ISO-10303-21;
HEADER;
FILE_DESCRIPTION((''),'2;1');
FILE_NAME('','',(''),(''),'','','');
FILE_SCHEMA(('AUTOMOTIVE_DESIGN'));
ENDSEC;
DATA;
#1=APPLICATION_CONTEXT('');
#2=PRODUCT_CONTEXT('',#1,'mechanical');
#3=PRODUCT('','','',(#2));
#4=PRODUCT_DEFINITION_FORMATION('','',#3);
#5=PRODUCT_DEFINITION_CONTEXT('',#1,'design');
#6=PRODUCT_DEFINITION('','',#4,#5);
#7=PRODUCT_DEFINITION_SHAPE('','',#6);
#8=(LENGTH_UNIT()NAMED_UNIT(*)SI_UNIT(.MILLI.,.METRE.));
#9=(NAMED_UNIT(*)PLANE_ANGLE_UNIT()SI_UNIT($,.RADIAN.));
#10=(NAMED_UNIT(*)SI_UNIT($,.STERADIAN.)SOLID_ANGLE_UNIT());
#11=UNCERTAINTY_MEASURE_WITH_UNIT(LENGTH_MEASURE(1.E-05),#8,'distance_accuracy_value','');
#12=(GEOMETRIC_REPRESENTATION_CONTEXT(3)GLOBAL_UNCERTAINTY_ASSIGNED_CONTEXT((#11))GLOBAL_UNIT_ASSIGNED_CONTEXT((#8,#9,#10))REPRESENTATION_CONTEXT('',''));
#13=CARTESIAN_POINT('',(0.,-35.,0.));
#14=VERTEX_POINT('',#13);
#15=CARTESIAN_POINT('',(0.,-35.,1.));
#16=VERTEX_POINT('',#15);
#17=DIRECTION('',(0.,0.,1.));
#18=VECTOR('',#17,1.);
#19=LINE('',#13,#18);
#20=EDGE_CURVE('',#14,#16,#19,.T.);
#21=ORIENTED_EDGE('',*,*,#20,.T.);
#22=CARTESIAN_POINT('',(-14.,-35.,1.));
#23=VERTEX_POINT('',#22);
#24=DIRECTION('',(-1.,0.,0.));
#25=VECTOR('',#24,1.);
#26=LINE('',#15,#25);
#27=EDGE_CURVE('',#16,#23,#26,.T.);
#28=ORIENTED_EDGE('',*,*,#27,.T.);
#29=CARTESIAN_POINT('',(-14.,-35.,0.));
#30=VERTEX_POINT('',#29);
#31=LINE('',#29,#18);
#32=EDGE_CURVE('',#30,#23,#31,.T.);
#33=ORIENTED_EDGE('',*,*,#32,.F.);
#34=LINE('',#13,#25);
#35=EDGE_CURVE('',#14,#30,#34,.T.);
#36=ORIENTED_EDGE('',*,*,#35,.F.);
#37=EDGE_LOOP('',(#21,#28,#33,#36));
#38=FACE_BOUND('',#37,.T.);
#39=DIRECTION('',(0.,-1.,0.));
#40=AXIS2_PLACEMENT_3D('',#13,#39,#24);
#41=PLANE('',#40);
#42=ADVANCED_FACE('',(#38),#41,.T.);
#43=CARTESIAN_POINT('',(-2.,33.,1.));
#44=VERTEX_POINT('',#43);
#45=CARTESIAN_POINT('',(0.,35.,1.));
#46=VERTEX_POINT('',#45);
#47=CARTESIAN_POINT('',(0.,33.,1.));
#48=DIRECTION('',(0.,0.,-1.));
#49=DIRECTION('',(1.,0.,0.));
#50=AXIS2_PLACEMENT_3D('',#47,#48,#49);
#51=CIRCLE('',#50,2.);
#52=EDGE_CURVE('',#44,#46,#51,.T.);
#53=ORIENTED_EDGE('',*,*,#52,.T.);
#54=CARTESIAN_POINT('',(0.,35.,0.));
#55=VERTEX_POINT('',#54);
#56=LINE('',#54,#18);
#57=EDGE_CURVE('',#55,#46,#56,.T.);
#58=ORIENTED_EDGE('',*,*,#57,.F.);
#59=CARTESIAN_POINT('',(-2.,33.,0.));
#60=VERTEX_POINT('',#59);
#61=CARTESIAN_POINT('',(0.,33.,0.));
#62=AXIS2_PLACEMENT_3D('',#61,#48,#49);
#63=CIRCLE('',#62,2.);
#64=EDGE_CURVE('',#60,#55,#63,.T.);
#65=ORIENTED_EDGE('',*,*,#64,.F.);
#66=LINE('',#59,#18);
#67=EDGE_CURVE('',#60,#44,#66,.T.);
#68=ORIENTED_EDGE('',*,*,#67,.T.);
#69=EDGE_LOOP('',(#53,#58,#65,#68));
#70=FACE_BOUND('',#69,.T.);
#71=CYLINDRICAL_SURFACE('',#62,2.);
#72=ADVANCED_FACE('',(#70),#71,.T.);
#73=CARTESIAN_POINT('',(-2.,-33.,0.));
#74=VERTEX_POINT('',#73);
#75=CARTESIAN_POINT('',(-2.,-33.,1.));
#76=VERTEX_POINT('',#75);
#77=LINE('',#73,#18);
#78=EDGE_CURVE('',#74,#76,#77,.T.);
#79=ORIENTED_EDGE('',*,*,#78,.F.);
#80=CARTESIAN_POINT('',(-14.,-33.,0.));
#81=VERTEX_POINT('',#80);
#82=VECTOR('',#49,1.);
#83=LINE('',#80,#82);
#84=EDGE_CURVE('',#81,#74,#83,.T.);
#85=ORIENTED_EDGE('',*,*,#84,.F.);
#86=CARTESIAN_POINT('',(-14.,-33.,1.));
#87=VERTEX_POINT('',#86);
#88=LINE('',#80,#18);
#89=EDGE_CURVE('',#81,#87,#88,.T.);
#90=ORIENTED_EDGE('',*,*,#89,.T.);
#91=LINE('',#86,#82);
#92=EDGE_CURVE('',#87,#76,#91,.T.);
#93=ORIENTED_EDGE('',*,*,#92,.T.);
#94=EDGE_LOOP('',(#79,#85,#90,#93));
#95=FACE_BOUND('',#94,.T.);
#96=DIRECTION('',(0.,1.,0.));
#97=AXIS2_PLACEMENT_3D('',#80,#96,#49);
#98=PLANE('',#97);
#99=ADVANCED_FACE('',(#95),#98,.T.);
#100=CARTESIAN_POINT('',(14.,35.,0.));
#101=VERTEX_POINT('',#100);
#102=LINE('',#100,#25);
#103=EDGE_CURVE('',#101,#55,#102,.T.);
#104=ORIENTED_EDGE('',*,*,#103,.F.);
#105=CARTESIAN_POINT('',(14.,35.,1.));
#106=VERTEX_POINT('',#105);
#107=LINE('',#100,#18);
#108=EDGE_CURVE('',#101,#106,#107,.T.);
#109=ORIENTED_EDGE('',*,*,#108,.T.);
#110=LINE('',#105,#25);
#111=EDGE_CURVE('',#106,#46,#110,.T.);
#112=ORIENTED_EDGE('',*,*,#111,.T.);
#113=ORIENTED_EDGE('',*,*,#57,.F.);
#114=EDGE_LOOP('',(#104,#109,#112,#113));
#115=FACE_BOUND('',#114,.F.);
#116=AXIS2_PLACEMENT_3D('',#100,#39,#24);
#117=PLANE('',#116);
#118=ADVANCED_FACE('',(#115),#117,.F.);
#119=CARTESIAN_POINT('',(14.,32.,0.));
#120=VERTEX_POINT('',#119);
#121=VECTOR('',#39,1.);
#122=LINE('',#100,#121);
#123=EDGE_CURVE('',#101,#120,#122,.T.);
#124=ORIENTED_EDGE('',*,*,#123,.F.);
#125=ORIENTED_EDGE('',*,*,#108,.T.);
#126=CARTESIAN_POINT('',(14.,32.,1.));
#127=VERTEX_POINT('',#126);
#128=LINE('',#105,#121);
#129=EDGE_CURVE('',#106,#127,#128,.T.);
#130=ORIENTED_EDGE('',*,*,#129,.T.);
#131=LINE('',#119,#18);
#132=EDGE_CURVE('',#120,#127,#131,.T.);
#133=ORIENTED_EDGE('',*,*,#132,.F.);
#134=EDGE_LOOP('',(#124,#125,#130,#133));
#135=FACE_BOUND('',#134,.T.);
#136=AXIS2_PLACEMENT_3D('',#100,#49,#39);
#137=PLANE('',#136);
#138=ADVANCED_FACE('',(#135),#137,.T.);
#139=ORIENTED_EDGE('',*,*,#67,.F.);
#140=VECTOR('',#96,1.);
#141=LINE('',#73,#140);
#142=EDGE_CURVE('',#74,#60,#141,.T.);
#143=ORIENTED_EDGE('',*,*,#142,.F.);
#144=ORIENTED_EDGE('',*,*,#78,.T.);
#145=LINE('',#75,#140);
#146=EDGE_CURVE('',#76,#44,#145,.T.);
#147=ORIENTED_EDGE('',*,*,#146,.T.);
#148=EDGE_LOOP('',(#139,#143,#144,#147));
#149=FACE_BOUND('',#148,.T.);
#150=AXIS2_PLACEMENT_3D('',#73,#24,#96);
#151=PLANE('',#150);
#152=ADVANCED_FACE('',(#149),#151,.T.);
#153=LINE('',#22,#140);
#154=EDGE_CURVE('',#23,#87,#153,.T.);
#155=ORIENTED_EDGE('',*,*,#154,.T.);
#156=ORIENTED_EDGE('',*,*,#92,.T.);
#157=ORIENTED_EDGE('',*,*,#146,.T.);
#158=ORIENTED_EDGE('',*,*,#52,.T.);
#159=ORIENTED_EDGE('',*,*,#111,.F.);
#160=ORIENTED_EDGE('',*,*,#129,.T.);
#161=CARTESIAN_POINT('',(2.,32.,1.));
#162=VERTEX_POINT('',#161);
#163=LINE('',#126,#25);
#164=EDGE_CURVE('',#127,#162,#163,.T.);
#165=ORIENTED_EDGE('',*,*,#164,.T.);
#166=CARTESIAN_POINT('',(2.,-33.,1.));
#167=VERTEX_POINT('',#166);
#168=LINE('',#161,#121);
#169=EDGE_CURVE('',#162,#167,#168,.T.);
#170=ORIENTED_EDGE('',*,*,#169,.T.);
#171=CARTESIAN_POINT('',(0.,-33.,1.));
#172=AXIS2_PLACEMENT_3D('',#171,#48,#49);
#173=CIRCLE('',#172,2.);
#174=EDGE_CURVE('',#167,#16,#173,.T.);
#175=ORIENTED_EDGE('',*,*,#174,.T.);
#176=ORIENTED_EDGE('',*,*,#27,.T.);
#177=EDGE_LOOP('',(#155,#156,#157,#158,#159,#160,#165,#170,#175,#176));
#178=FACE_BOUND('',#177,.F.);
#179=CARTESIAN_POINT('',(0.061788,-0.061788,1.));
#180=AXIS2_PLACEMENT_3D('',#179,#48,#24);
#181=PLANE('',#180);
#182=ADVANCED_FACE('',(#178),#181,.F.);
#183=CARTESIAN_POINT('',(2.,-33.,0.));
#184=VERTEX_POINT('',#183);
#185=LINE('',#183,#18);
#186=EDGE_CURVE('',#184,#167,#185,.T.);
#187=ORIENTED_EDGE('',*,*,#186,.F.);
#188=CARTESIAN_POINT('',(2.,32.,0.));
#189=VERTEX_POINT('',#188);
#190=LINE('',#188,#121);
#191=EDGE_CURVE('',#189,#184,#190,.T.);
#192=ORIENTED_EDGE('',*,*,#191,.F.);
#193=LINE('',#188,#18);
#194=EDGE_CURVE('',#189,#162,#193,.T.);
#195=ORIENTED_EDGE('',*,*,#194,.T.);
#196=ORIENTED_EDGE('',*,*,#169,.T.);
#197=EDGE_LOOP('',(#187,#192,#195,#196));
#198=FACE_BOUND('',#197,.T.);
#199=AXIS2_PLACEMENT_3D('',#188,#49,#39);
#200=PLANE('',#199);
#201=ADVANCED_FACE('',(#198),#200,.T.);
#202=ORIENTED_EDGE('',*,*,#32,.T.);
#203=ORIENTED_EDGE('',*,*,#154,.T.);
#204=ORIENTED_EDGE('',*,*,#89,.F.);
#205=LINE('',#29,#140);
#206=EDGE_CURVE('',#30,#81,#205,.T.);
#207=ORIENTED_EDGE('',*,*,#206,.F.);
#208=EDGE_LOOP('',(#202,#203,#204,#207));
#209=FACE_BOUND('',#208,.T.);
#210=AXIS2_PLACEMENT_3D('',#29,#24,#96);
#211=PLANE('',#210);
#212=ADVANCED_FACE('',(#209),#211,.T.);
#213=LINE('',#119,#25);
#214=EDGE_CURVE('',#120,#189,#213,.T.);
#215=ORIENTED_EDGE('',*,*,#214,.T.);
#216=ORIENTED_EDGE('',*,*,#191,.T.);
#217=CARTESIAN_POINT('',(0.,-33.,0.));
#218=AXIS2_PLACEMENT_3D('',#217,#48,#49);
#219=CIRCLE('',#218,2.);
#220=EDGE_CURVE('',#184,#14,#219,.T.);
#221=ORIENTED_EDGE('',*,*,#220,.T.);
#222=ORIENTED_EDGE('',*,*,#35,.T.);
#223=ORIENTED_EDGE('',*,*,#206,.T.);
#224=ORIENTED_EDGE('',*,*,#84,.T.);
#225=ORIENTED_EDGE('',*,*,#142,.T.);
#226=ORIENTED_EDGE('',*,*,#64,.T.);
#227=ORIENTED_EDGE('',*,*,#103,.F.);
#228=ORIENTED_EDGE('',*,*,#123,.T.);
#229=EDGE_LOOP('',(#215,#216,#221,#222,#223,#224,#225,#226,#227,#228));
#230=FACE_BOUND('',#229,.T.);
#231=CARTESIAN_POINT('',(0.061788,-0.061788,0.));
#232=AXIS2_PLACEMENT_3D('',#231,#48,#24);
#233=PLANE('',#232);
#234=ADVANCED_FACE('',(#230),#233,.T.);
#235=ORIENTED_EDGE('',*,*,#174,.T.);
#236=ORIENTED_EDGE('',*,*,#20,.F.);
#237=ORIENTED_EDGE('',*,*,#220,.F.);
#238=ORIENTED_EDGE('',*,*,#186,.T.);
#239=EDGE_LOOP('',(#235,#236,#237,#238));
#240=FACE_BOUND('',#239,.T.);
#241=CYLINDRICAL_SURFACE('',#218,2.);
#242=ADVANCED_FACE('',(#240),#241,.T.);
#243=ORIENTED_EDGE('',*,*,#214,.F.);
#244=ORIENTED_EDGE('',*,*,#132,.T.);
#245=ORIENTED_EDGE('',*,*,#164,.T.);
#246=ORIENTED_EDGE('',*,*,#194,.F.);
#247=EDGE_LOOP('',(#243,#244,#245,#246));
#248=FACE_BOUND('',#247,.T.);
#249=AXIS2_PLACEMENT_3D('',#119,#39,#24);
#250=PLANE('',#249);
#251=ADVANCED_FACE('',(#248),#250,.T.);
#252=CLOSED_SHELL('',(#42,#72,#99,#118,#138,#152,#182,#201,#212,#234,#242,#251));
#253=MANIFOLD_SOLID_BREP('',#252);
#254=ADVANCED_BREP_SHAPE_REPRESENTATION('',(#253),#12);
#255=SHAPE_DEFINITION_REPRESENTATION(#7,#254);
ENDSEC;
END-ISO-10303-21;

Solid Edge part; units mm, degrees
sketch "Sketch1" plane through (0, 0, 0) normal (0, 0, 1) x (1, 0, 0)
  line L0 (14, 35) -> (14, 32)
  line L1 (14, 32) -> (2, 32)
  line L2 (2, 32) -> (2, -33)
  arc A0 (2, -33) -> (0, -35) centre (0, -33) cw
  line L3 (0, -35) -> (-14, -35)
  line L4 (-14, -35) -> (-14, -33)
  line L5 (-14, -33) -> (-2, -33)
  line L6 (-2, -33) -> (-2, 33)
  arc A1 (-2, 33) -> (0, 35) centre (0, 33) cw
  line L7 (14, 35) -> (0, 35)
  dimension "D1" = 3
  dimension "D2" = 12
  dimension "D3" = 2
  dimension "D4" = 2
  dimension "D5" = 65
  dimension "D6" = 4
  dimension "D7" = 66
  dimension "D8" = 2
extrude "Ajout_matière_1" add sketch "Sketch1" along normal blind 1
properties material "Acier S235"
